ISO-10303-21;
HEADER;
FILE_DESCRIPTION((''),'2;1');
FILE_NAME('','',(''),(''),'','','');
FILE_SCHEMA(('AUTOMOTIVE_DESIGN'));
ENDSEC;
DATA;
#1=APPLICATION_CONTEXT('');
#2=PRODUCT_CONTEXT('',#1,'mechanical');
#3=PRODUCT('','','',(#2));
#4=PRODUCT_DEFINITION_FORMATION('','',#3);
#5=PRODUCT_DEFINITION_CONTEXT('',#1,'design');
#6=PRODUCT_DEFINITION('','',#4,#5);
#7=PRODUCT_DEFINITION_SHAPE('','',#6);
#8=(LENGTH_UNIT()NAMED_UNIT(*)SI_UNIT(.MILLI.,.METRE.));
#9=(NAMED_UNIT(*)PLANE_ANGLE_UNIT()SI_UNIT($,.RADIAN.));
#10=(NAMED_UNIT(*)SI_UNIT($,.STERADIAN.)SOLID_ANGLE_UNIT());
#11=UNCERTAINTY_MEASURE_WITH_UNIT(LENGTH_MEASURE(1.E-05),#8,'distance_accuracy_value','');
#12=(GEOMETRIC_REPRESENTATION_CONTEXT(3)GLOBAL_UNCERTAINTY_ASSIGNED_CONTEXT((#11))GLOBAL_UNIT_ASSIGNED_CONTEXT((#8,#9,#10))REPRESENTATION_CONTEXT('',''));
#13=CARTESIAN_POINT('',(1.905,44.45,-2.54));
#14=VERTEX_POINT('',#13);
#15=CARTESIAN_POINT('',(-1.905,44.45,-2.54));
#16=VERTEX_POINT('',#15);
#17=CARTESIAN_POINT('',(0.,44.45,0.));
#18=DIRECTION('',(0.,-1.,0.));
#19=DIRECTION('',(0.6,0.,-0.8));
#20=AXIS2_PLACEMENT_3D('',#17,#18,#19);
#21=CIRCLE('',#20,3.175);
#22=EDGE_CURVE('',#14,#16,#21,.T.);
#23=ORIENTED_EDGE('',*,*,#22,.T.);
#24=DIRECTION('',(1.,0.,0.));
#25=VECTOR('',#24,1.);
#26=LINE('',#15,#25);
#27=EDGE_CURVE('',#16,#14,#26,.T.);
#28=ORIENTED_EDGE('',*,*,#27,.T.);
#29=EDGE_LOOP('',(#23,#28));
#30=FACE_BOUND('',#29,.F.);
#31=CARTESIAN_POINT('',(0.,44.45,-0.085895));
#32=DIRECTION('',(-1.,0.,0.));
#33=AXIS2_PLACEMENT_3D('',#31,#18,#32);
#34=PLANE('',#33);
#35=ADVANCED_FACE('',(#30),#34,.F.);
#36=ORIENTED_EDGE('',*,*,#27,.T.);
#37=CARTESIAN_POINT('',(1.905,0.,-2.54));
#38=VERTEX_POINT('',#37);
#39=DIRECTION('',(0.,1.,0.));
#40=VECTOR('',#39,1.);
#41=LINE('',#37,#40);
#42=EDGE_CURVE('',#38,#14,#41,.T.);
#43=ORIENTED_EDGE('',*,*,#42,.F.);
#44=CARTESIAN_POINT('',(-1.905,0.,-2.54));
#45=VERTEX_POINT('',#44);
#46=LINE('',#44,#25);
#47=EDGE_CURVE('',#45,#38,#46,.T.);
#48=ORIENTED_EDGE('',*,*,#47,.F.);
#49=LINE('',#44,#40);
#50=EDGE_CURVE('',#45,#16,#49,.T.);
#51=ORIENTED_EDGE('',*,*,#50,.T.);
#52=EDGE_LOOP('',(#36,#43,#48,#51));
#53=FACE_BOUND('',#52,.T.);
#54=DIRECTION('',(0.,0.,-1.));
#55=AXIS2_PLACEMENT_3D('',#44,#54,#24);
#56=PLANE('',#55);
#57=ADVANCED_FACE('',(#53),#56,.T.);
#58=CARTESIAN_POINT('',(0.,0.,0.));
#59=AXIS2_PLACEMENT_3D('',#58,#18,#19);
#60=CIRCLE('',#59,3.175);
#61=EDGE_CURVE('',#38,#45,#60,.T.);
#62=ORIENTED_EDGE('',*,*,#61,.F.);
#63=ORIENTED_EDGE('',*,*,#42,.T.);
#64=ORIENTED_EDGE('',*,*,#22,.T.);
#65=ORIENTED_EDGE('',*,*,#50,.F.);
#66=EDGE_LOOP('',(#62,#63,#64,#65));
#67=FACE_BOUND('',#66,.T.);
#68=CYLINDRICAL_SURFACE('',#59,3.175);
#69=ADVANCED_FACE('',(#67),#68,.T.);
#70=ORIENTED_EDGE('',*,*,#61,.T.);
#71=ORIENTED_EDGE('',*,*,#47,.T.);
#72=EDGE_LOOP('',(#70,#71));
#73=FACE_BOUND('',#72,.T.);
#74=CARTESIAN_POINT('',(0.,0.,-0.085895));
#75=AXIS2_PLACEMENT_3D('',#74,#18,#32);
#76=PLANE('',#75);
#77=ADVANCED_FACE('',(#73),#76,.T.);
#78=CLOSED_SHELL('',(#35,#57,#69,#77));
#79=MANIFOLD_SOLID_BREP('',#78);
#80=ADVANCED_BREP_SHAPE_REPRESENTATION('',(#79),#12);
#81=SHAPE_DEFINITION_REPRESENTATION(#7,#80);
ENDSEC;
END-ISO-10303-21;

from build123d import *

# Parameters (mm, degrees)
BOSS_EXTRUDE1_DEPTH = 44.45


with BuildPart() as part:
    # Sketch1 → Boss-Extrude1 (new body)
    with BuildSketch(Plane(origin=(0, 0, 0), x_dir=(1, 0, 0), z_dir=(0, 1, 0))):
        with BuildLine():
            Line((-1.905, 2.54), (1.905, 2.54))
            ThreePointArc((1.905, 2.54), (0, -3.175), (-1.905, 2.54))
        make_face()
    extrude(amount=BOSS_EXTRUDE1_DEPTH)


solid = part.part
